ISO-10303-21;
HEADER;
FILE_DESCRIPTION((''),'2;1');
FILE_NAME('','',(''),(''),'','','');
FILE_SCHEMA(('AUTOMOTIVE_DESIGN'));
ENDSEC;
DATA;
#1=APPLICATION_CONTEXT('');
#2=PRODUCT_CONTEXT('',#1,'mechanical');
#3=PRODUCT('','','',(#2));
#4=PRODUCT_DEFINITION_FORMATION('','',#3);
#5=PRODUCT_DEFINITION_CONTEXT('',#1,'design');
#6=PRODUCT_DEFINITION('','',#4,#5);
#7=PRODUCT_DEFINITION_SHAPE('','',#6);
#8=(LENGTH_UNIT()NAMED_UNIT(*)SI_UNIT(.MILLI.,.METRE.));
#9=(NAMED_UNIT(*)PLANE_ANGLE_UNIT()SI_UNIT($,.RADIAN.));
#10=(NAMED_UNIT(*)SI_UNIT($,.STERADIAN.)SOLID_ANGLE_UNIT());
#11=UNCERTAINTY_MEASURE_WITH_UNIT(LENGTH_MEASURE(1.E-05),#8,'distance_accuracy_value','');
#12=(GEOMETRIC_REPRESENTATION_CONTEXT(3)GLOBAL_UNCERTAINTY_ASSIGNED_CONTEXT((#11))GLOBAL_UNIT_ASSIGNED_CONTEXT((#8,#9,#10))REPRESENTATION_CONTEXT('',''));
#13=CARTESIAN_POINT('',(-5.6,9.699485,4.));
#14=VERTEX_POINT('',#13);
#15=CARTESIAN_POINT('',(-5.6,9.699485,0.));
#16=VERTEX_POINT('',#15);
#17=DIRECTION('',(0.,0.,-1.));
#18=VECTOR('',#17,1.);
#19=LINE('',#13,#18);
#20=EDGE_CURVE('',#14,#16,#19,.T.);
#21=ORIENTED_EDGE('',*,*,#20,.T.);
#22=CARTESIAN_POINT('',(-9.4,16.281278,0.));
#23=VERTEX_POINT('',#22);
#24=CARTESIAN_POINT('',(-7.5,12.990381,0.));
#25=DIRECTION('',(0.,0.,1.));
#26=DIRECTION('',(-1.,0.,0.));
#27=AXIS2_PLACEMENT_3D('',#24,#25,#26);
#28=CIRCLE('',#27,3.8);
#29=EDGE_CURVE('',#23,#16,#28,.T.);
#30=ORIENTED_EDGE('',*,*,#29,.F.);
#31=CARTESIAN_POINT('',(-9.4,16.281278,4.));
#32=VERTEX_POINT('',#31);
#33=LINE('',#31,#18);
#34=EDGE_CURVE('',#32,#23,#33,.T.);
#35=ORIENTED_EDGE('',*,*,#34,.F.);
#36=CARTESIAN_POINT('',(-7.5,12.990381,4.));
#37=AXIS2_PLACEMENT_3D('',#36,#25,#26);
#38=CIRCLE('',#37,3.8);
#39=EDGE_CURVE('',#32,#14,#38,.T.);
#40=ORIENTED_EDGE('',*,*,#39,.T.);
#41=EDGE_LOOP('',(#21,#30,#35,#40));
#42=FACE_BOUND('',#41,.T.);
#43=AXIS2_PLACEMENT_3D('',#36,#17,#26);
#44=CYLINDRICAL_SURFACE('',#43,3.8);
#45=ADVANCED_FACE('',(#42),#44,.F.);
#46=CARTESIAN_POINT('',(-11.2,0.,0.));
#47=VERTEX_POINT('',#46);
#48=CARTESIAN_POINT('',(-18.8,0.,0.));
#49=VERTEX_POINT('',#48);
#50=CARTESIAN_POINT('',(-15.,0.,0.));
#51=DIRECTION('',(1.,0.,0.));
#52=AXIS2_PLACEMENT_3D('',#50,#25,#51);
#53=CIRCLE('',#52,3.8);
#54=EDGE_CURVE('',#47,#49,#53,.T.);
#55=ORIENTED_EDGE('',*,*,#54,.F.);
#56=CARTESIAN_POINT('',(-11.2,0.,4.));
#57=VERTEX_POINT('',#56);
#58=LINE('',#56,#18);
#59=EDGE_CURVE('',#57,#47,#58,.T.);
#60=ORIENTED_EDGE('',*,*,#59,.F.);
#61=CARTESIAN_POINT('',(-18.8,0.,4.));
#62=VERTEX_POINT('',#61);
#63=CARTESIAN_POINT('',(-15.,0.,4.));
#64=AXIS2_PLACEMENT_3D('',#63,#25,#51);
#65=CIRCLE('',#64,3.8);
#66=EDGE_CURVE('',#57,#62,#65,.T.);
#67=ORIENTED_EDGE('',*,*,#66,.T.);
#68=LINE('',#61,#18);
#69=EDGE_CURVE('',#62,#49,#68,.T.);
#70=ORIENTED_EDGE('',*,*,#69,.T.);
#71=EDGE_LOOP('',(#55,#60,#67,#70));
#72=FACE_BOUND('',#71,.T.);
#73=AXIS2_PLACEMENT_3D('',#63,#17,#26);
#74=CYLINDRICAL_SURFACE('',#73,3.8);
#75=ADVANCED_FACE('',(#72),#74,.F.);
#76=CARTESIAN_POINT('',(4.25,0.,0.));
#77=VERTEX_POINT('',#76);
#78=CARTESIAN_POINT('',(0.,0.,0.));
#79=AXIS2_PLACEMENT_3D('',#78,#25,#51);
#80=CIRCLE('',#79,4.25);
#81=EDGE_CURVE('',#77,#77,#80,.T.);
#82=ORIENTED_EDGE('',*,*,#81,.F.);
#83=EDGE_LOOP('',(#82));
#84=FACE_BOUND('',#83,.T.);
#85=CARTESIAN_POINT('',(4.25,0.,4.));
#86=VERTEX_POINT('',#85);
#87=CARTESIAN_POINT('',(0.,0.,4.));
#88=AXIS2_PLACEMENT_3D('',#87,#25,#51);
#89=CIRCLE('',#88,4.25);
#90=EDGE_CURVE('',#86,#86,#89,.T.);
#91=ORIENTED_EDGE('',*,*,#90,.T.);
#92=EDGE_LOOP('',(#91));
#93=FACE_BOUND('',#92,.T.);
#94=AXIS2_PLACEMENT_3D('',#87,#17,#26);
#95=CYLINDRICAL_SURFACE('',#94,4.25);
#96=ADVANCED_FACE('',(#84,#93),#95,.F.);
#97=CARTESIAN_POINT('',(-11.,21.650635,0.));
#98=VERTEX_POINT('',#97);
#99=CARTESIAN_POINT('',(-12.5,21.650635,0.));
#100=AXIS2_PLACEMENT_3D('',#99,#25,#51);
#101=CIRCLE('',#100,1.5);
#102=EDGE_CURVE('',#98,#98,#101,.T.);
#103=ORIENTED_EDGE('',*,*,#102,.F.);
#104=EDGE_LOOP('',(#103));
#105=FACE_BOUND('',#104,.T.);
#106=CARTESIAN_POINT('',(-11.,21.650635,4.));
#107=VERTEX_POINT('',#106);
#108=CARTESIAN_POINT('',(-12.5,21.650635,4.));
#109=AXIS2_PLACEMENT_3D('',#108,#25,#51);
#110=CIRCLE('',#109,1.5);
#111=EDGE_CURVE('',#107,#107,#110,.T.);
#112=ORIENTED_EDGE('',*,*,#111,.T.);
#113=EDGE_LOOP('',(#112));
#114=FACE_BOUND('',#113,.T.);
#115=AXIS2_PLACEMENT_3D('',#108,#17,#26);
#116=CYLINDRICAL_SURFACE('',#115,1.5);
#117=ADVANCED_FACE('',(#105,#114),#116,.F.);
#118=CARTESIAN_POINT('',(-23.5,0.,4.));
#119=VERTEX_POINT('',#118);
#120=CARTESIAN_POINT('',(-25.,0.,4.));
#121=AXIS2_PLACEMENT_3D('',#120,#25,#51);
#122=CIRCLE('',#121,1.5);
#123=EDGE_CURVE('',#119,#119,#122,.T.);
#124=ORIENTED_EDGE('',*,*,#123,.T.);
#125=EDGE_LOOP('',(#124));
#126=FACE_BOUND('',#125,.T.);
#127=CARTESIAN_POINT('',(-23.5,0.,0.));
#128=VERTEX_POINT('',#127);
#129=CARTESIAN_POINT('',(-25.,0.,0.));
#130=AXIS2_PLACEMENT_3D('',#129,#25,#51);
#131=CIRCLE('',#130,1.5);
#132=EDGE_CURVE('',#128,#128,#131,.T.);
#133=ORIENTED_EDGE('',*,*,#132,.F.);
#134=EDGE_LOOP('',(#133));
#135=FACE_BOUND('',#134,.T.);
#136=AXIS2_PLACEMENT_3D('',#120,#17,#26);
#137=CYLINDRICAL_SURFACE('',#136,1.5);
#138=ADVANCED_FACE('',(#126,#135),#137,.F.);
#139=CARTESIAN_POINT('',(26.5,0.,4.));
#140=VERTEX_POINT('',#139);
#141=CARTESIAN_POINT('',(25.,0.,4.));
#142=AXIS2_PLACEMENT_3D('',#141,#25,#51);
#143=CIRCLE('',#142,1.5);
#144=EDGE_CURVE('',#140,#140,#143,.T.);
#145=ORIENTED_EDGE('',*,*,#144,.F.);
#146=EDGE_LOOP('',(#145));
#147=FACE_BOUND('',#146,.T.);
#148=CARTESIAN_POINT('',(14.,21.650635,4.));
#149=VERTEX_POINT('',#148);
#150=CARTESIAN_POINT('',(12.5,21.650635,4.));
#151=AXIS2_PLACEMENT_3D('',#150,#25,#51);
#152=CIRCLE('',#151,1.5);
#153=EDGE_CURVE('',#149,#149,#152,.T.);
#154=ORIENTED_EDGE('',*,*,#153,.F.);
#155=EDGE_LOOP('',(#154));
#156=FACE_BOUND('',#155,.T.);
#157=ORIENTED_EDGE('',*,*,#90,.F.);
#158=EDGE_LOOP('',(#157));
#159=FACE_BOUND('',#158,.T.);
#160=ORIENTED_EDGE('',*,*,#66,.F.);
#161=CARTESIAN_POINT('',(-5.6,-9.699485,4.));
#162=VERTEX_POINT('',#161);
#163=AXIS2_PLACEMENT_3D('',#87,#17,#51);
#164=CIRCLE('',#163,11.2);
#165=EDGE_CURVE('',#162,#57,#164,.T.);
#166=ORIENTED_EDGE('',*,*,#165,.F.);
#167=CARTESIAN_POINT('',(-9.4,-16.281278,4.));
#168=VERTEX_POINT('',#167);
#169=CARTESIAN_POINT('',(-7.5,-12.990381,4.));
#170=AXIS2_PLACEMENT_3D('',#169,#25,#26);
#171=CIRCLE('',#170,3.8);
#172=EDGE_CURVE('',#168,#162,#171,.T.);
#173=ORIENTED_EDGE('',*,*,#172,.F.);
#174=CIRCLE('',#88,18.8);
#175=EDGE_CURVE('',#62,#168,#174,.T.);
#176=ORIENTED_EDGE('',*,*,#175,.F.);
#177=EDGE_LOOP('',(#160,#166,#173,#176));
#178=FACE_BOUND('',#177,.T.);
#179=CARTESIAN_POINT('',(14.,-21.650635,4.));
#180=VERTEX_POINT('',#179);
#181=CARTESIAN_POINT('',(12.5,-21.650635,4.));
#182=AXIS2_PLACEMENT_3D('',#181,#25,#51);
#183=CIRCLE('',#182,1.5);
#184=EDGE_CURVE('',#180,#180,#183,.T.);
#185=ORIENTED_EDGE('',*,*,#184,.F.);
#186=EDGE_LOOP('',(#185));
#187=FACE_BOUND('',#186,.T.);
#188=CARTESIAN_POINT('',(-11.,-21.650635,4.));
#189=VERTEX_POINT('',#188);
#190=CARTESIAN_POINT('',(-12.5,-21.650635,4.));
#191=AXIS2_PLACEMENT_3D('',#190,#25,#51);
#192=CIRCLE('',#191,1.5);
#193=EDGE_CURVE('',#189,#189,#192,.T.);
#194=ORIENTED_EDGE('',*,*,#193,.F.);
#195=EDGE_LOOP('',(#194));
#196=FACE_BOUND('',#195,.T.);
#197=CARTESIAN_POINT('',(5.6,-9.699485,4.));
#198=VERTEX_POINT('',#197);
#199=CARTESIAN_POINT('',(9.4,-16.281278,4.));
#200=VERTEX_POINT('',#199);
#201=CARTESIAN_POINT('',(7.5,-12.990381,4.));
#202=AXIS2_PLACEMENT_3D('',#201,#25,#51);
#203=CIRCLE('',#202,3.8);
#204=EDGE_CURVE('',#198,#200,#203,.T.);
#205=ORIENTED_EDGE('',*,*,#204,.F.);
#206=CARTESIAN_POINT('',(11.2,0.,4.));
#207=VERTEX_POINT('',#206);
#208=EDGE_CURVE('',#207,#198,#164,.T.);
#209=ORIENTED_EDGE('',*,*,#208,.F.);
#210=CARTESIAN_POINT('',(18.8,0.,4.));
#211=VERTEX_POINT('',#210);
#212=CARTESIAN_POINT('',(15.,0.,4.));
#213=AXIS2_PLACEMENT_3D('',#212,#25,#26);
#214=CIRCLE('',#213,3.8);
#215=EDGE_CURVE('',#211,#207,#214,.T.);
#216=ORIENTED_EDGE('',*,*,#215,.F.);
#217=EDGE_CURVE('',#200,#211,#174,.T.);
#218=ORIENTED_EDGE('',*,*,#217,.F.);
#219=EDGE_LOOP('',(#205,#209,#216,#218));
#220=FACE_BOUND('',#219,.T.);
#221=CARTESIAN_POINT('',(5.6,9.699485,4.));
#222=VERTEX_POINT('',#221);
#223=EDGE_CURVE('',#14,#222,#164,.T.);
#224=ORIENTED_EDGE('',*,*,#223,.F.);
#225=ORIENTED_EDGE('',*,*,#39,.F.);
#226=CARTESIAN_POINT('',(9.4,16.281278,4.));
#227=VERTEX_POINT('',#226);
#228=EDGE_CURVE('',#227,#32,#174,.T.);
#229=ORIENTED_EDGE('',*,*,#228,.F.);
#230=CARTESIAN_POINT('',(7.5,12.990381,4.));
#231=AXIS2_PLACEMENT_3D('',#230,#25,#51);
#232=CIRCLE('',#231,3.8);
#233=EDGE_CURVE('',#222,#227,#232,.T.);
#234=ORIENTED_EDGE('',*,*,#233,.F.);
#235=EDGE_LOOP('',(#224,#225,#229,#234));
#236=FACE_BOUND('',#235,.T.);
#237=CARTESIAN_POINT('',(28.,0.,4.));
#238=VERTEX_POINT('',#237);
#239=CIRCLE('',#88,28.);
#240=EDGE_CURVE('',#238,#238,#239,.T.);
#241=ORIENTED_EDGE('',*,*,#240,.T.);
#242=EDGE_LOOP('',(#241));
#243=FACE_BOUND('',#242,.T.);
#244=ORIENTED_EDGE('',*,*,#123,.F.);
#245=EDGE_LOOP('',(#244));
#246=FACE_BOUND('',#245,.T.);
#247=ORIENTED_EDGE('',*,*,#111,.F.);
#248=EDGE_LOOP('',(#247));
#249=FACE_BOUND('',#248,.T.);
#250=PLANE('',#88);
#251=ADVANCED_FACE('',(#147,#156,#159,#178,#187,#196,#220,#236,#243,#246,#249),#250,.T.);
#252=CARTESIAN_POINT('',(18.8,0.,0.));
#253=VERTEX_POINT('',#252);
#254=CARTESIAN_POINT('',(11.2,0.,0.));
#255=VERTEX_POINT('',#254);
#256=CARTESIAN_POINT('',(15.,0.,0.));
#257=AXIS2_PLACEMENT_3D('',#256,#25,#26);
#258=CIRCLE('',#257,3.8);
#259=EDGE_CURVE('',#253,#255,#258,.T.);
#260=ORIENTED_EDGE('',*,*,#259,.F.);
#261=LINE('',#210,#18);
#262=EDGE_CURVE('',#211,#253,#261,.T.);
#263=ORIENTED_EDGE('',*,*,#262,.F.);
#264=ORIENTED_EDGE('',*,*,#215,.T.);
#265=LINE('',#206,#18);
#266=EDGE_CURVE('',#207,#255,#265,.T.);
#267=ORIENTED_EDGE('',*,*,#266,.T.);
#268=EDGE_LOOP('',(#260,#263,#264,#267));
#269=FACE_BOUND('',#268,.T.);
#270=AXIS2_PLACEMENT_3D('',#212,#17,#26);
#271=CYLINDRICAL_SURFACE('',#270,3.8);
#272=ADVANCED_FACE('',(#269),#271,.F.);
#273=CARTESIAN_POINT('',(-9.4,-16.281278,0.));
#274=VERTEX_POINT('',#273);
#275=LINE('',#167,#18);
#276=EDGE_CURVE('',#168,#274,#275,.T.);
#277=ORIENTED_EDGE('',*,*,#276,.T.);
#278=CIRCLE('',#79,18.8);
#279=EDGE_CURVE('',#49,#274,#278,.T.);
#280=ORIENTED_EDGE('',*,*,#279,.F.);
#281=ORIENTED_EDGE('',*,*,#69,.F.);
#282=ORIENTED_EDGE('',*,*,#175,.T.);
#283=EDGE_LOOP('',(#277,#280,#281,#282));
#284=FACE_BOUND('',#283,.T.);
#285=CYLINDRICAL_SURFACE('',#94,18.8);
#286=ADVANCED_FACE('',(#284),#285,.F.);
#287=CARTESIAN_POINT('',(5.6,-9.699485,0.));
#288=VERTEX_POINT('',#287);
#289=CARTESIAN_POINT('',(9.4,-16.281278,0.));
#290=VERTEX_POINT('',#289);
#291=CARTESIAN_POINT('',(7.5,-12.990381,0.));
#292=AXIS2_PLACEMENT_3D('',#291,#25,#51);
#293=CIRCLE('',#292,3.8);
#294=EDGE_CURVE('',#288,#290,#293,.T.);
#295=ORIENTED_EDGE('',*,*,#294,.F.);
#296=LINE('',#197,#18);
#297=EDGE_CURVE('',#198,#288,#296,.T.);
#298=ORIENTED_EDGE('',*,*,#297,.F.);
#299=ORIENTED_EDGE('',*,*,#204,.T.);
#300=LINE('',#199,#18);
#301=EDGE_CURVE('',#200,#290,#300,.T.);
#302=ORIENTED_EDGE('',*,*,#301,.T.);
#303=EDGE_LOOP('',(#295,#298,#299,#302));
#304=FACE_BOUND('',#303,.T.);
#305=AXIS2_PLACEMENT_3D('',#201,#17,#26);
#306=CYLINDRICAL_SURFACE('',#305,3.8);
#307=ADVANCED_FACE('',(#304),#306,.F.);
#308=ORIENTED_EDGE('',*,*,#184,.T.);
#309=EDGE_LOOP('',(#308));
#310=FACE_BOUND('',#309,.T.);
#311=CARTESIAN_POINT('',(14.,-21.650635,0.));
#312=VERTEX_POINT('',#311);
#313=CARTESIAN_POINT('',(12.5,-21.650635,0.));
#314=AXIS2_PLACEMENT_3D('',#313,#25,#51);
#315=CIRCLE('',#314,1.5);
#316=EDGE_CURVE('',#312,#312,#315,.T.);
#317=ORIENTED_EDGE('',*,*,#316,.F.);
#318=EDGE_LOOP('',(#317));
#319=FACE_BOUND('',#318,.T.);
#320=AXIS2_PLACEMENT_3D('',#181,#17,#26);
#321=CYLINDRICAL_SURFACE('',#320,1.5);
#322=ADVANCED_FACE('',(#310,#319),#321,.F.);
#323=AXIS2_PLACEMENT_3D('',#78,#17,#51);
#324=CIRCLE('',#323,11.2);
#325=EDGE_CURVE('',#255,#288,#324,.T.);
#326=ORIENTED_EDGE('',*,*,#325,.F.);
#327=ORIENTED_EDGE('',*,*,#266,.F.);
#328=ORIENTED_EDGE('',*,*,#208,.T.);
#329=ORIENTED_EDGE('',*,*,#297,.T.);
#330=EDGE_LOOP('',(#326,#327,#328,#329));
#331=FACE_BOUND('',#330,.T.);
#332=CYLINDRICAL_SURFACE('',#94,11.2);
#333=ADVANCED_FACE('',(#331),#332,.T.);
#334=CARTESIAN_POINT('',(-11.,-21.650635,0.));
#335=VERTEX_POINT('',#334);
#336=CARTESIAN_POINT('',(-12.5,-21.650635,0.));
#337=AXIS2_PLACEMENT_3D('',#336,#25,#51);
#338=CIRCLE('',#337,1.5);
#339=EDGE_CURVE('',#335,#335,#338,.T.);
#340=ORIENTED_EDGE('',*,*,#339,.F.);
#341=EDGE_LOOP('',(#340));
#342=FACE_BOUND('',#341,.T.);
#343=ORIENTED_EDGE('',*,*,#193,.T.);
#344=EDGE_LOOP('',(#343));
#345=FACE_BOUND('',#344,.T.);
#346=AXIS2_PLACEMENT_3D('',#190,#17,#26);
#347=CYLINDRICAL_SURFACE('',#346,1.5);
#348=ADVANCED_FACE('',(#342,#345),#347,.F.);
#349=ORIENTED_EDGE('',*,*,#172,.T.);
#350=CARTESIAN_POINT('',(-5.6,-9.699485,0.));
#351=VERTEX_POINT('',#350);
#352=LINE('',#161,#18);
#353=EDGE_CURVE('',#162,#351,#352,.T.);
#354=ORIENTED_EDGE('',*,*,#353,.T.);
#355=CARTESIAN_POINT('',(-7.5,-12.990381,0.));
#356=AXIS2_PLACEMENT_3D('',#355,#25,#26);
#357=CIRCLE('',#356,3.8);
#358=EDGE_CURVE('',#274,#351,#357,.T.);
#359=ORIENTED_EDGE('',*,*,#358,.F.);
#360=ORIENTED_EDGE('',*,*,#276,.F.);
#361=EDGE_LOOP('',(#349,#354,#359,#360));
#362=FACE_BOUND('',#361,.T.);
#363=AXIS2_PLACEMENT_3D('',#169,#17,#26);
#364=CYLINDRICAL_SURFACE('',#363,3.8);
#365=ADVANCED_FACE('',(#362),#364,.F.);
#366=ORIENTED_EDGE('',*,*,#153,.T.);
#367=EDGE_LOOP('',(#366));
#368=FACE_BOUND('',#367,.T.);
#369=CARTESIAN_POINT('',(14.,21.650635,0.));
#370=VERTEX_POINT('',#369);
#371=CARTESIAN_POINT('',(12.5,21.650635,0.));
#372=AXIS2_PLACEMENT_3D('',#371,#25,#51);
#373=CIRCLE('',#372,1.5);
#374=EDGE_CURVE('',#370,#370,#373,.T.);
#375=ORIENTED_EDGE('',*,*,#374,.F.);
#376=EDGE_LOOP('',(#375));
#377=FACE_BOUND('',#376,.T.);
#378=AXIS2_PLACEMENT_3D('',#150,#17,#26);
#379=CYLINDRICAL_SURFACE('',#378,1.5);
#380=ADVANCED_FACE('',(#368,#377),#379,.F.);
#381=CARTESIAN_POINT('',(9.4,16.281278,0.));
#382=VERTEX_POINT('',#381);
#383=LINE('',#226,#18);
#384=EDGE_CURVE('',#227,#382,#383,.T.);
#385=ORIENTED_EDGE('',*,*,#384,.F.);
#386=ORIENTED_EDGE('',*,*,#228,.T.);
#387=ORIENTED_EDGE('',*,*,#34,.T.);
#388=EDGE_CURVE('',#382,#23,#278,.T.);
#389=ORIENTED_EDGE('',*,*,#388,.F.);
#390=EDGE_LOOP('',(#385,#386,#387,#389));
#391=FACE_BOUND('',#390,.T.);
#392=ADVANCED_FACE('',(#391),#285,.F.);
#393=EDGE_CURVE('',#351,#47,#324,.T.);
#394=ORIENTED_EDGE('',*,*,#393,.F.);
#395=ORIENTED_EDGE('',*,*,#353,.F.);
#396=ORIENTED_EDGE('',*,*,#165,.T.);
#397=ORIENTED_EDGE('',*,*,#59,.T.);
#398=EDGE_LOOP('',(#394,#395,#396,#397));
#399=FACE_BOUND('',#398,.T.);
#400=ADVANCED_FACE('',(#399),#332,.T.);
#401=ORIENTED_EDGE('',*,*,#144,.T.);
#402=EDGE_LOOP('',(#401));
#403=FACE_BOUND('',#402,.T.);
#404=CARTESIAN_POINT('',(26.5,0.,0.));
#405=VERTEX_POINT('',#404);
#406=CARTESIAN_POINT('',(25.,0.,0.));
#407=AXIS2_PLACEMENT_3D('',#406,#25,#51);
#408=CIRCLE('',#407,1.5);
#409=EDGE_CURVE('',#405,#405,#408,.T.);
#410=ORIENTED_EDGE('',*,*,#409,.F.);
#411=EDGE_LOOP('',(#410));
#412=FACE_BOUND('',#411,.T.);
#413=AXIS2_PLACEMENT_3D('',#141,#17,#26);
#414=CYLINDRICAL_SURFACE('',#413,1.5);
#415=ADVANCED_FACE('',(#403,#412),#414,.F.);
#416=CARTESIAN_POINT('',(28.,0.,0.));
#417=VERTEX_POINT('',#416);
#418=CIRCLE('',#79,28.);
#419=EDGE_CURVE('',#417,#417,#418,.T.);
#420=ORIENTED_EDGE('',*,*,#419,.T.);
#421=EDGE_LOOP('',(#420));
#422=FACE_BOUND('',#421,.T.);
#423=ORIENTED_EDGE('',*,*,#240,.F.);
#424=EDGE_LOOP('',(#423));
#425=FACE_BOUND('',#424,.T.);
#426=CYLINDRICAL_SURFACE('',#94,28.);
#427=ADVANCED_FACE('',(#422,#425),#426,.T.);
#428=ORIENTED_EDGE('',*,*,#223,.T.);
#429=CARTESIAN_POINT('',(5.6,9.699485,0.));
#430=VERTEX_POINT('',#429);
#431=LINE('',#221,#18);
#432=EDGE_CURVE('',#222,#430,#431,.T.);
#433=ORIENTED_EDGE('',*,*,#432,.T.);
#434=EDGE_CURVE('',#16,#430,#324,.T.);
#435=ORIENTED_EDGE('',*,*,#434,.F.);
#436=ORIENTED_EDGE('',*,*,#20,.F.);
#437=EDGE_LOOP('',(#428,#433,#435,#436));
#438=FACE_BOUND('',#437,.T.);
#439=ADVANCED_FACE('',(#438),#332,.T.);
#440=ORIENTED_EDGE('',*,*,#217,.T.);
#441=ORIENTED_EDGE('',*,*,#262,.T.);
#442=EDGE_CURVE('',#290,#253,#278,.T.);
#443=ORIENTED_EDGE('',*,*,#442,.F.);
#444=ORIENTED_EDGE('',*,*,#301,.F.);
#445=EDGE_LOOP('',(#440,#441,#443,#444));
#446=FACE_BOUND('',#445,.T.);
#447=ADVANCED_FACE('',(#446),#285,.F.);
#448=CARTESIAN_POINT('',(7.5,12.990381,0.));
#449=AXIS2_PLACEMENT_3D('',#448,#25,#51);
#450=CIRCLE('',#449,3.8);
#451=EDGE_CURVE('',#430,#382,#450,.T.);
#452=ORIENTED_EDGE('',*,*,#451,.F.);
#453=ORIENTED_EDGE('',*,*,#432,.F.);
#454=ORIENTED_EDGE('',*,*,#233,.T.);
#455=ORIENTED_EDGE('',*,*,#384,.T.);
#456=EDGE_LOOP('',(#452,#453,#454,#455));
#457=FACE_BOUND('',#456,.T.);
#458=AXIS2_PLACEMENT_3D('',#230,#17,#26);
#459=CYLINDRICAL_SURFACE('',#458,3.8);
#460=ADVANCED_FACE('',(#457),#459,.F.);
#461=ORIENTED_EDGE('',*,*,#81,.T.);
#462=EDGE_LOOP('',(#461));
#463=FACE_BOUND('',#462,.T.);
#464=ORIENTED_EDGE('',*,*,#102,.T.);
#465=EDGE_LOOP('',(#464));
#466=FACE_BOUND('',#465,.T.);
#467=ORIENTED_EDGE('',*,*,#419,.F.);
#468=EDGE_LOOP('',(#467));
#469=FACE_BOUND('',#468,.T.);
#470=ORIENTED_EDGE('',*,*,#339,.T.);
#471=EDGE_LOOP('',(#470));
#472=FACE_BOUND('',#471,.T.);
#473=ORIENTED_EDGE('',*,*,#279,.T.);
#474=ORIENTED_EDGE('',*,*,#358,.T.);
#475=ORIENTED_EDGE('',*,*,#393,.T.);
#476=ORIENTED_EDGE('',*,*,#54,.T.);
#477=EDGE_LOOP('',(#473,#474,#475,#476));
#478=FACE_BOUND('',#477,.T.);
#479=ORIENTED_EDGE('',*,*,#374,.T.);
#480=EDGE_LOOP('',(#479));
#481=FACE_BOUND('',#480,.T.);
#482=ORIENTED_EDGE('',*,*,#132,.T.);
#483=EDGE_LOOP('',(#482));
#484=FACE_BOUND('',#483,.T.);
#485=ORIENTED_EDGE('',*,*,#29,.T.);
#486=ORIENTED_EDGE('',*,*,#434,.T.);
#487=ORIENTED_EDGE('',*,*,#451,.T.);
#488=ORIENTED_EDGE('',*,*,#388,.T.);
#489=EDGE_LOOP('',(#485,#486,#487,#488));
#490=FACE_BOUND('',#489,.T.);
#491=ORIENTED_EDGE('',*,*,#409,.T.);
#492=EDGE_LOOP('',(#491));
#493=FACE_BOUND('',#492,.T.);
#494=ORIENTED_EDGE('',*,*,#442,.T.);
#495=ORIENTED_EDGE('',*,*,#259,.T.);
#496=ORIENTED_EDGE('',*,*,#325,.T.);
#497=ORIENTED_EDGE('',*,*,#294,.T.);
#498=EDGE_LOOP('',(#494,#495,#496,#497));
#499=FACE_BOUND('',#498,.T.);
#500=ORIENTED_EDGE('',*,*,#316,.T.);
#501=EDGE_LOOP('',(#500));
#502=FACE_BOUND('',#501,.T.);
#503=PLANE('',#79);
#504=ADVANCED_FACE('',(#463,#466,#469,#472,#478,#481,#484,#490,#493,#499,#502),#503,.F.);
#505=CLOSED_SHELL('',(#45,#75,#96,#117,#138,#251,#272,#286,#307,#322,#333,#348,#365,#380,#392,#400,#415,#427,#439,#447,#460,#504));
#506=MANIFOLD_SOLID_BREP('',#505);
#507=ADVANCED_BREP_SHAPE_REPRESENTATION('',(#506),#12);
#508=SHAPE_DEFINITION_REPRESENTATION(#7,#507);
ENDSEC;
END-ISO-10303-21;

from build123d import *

# Parameters (mm, degrees)
SKETCH_1_R      = 28
SKETCH_1_R_2    = 4.25
SKETCH_1_R_3    = 1.5
EXTRUDE_1_DEPTH = 4


with BuildPart() as part:
    # 草图1 → 凸台-拉伸1 (new body)
    with BuildSketch(Plane.XY):
        Circle(SKETCH_1_R)
        Circle(SKETCH_1_R_2, mode=Mode.SUBTRACT)
        with Locations((12.5, 21.650635095)):
            Circle(SKETCH_1_R_3, mode=Mode.SUBTRACT)
        with Locations((25, 0)):
            Circle(SKETCH_1_R_3, mode=Mode.SUBTRACT)
        with Locations((12.5, -21.650635095)):
            Circle(SKETCH_1_R_3, mode=Mode.SUBTRACT)
        with Locations((-12.5, -21.650635095)):
            Circle(SKETCH_1_R_3, mode=Mode.SUBTRACT)
        with Locations((-25, 0)):
            Circle(SKETCH_1_R_3, mode=Mode.SUBTRACT)
        with Locations((-12.5, 21.650635095)):
            Circle(SKETCH_1_R_3, mode=Mode.SUBTRACT)
        with BuildLine():
            ThreePointArc((-11.2, 0), (-9.699484522, -5.6), (-5.6, -9.699484522))
            ThreePointArc((-5.6, -9.699484522), (-4.209103466, -14.890381057), (-9.4, -16.281277591))
            ThreePointArc((-9.4, -16.281277591), (-16.281277591, -9.4), (-18.8, 0))
            ThreePointArc((-18.8, 0), (-15, 3.8), (-11.2, 0))
        make_face(mode=Mode.SUBTRACT)
        with BuildLine():
            ThreePointArc((11.2, 0), (15, 3.8), (18.8, 0))
            ThreePointArc((18.8, 0), (16.281277591, -9.4), (9.4, -16.281277591))
            ThreePointArc((9.4, -16.281277591), (4.209103466, -14.890381057), (5.6, -9.699484522))
            ThreePointArc((5.6, -9.699484522), (9.699484522, -5.6), (11.2, 0))
        make_face(mode=Mode.SUBTRACT)
        with BuildLine():
            ThreePointArc((5.6, 9.699484522), (0, 11.2), (-5.6, 9.699484522))
            ThreePointArc((-5.6, 9.699484522), (-10.790896534, 11.090381057), (-9.4, 16.281277591))
            ThreePointArc((-9.4, 16.281277591), (0, 18.8), (9.4, 16.281277591))
            ThreePointArc((9.4, 16.281277591), (10.790896534, 11.090381057), (5.6, 9.699484522))
        make_face(mode=Mode.SUBTRACT)
    extrude(amount=EXTRUDE_1_DEPTH)


solid = part.part
